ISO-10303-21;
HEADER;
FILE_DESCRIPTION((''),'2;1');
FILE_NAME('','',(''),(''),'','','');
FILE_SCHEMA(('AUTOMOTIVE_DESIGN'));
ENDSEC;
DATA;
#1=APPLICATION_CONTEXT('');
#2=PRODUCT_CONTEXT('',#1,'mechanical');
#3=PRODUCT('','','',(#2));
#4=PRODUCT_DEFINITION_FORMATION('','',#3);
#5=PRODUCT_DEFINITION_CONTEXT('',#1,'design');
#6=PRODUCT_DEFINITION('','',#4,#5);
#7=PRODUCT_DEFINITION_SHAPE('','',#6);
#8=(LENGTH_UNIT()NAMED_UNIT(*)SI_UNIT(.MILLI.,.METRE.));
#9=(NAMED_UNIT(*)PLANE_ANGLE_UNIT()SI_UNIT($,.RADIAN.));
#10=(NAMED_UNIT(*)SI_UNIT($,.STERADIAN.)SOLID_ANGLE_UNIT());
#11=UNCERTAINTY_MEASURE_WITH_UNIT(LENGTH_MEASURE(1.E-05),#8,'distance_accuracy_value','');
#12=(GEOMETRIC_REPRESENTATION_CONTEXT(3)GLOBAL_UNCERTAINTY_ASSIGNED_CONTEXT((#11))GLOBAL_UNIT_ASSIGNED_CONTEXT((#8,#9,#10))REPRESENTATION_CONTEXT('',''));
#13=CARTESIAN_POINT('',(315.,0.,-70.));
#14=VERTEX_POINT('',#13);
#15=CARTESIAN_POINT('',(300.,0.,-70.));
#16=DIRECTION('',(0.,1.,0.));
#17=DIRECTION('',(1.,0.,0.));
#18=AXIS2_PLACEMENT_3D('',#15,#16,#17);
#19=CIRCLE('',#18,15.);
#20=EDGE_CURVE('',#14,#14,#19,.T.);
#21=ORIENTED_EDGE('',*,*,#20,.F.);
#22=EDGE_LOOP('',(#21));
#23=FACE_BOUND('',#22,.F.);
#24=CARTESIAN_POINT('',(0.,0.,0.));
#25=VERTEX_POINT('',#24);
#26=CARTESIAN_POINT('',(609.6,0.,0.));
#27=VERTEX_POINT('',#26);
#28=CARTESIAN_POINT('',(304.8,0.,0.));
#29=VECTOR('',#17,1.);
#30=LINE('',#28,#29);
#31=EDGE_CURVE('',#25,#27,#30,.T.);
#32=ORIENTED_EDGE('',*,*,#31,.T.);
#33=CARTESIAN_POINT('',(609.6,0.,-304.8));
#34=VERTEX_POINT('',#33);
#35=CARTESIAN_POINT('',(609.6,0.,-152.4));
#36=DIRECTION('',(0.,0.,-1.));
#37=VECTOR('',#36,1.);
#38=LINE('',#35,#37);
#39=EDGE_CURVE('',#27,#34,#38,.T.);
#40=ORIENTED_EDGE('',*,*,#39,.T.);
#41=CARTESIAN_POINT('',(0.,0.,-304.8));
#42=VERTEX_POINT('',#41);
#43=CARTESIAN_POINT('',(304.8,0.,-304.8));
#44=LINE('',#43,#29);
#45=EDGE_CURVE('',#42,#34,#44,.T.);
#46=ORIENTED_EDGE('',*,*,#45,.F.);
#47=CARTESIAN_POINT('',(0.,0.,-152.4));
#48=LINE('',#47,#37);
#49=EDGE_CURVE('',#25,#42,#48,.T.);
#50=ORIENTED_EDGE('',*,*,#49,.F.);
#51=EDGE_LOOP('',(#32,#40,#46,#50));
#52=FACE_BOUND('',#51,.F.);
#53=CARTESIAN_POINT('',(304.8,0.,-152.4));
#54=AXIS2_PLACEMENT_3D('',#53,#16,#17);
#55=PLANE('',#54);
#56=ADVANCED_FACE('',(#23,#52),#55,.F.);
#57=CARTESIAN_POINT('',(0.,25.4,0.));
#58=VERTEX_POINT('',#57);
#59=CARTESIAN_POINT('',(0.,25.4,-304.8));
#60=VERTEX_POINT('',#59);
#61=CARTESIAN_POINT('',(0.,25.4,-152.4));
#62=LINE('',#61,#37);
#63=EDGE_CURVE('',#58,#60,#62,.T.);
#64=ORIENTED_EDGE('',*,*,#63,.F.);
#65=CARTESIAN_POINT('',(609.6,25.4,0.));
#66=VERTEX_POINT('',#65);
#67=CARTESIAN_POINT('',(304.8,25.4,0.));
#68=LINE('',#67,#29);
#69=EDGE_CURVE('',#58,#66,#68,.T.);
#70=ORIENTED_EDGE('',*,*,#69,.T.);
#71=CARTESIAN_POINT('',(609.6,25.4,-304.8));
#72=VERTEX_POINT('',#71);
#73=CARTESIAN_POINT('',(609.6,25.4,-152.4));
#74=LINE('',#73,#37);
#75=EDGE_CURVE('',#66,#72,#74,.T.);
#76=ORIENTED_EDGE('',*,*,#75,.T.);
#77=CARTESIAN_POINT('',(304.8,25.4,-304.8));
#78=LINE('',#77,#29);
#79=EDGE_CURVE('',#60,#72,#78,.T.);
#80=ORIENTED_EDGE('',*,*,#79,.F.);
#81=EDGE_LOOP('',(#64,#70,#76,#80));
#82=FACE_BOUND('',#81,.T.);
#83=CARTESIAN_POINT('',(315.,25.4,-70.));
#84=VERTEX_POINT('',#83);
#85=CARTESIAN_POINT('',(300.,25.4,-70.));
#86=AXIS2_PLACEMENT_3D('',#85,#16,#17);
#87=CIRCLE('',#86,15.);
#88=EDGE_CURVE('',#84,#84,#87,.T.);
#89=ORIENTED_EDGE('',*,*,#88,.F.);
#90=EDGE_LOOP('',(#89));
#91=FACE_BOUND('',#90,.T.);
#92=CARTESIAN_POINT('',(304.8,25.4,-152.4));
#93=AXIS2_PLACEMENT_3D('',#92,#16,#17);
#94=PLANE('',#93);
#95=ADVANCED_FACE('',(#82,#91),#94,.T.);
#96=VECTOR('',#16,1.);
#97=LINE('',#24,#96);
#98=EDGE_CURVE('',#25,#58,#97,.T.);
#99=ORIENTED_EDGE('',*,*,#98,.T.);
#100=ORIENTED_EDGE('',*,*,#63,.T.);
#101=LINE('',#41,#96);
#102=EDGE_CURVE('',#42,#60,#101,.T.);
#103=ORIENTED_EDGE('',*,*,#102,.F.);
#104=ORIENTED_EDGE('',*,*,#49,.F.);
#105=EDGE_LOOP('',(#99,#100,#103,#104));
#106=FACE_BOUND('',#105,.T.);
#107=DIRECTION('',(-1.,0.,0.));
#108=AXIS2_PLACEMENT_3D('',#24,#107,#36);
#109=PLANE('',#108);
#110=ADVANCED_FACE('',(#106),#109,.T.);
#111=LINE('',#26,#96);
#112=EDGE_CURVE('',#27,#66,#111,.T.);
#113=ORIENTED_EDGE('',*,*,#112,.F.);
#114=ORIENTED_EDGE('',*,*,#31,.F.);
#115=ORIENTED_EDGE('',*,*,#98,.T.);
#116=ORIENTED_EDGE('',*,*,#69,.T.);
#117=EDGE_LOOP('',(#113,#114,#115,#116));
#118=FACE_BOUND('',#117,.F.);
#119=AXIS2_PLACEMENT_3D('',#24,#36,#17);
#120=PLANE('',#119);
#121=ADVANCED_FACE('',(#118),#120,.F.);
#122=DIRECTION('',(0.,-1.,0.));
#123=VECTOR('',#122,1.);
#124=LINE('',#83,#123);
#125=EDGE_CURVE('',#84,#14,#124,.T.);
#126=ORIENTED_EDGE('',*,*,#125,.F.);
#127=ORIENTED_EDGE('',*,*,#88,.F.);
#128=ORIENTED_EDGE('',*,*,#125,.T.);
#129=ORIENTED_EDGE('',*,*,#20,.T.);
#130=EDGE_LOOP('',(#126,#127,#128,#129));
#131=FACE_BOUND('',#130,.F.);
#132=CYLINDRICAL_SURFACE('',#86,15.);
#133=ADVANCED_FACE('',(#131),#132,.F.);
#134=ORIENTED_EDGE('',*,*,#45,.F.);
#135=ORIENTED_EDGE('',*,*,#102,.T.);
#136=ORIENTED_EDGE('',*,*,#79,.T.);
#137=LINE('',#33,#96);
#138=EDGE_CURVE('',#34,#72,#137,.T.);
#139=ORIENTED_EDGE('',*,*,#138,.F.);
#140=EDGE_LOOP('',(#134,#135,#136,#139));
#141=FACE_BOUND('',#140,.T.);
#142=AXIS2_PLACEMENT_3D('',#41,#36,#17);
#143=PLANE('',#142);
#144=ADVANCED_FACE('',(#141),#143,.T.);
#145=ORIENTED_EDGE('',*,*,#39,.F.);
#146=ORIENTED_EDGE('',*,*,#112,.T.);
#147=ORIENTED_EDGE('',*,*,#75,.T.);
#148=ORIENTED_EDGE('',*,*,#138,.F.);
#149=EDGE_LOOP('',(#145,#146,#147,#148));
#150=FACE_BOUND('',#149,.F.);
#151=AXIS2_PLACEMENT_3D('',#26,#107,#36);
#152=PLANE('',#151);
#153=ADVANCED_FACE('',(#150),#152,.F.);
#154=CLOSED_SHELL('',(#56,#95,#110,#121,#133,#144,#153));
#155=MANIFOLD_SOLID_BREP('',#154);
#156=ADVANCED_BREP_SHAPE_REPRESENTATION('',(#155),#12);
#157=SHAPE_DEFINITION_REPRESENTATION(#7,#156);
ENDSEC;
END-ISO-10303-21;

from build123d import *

# Parameters (mm, degrees)
SKETCH1_W           = 609.6
SKETCH1_H           = 304.8
BOSS_EXTRUDE1_DEPTH = 25.4
SKETCH2_R           = 15
CUT_EXTRUDE1_DEPTH  = 25.4


with BuildPart() as part:
    # Sketch1 → Boss-Extrude1 (new body)
    with BuildSketch(Plane(origin=(0, 0, 0), x_dir=(1, 0, 0), z_dir=(0, 1, 0))):
        with Locations((304.8, 152.4)):
            Rectangle(SKETCH1_W, SKETCH1_H)
    extrude(amount=BOSS_EXTRUDE1_DEPTH)

    # Sketch2 → Cut-Extrude1 (cut)
    with BuildSketch(Plane(origin=(0, 25.4, 0), x_dir=(1, 0, 0), z_dir=(0, 1, 0))):
        with Locations((300, 70)):
            Circle(SKETCH2_R)
    extrude(amount=-CUT_EXTRUDE1_DEPTH, mode=Mode.SUBTRACT)


solid = part.part
